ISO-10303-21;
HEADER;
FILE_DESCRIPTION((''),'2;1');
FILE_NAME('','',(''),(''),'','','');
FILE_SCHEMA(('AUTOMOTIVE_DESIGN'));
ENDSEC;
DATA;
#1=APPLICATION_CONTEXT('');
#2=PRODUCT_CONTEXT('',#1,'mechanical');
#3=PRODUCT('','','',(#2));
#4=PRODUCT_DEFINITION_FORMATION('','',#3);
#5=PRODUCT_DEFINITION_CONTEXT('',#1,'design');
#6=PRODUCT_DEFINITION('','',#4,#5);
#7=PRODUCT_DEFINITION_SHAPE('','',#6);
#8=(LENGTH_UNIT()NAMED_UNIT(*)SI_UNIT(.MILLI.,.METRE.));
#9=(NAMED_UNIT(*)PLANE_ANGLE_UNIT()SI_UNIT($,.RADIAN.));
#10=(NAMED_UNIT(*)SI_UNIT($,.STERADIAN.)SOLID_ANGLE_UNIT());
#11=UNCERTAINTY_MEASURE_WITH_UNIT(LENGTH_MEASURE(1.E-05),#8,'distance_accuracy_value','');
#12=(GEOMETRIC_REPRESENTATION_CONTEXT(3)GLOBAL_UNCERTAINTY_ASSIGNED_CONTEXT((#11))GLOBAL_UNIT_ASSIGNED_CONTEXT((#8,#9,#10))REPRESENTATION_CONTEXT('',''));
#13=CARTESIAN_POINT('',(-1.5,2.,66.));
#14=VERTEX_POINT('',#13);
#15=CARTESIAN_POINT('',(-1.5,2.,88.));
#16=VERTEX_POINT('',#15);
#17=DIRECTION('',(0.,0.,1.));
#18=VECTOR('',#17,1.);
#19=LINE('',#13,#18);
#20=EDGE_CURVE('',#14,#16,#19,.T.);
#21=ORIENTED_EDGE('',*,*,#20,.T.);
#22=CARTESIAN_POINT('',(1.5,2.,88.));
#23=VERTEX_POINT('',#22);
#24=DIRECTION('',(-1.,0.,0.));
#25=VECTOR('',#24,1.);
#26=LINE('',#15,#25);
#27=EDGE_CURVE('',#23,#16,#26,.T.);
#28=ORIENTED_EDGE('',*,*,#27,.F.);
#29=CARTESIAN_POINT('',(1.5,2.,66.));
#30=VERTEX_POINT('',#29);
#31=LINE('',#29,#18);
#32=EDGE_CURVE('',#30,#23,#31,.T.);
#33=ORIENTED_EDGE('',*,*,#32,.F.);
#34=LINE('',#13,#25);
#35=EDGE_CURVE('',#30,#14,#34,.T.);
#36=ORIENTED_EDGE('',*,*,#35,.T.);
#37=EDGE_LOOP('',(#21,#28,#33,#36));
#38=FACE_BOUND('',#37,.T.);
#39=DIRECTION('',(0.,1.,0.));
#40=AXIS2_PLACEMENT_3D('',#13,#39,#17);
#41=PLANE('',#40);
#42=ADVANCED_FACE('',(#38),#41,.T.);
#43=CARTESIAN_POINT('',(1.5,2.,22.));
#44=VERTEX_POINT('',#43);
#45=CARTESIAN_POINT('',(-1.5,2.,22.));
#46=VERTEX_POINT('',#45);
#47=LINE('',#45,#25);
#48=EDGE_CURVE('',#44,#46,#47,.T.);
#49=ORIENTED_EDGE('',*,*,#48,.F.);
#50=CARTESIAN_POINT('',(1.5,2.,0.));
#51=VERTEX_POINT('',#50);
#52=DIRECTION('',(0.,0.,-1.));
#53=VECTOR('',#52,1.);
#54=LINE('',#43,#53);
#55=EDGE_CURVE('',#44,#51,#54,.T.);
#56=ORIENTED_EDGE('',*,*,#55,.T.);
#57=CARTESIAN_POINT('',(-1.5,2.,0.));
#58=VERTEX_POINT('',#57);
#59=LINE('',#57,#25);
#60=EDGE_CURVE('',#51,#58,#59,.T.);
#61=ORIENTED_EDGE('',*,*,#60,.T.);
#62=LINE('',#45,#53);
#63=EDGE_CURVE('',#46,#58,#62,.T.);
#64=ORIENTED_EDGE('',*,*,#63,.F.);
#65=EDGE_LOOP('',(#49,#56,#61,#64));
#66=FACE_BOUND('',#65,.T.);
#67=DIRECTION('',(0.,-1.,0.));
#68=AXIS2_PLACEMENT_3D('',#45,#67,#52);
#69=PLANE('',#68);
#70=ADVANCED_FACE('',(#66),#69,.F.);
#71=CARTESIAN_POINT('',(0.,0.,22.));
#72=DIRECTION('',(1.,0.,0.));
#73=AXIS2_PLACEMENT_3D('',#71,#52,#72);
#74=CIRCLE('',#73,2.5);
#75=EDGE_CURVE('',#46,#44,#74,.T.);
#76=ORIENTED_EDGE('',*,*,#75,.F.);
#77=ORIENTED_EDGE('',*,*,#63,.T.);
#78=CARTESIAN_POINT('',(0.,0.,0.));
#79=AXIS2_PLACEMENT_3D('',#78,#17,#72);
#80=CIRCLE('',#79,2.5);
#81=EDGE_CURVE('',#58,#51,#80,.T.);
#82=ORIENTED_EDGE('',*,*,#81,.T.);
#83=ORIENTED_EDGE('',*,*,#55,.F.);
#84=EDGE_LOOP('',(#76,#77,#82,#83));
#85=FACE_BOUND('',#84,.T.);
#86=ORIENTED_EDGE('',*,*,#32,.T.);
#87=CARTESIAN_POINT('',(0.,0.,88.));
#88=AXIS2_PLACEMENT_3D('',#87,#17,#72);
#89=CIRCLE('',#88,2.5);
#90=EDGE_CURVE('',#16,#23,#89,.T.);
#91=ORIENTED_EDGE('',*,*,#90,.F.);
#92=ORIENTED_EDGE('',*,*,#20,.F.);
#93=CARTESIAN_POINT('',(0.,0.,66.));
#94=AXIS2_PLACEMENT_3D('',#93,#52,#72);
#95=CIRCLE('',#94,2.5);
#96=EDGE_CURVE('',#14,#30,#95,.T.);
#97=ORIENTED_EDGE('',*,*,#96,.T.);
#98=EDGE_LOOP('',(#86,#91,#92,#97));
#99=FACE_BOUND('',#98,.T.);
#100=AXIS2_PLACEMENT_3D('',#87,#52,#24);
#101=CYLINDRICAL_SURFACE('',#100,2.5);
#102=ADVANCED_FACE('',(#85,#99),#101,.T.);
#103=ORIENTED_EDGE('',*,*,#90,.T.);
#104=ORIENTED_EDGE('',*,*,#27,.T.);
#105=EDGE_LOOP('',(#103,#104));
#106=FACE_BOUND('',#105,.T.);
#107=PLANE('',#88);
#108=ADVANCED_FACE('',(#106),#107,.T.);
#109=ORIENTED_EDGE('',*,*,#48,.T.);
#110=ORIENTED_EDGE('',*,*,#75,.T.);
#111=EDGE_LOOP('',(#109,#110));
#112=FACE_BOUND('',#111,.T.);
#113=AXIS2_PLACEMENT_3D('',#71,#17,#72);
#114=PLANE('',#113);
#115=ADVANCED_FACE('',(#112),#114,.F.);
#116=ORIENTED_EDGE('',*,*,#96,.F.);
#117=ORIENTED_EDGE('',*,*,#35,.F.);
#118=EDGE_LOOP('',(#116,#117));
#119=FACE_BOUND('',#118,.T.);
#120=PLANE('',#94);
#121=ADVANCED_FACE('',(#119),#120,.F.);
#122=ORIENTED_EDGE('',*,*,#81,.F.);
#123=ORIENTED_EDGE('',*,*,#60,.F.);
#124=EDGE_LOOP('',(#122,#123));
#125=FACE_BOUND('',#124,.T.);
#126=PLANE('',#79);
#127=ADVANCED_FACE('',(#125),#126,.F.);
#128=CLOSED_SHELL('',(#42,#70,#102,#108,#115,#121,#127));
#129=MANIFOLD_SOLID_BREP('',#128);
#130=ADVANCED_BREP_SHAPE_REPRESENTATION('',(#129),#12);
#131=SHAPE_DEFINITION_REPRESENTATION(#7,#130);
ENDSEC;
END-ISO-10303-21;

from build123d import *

# Parameters (mm, degrees)
SKETCH_1_R          = 2.5
EXTRUDE_1_DEPTH     = 88
CUT_EXTRUDE_1_DEPTH = 22


with BuildPart() as part:
    # 스케치1 → 보스-돌출1 (new body)
    with BuildSketch(Plane.XY):
        Circle(SKETCH_1_R)
    extrude(amount=EXTRUDE_1_DEPTH)

    # 스케치2 → 컷-돌출1 (cut)
    with BuildSketch(Plane(origin=(0, 0, 0), x_dir=(-1, 0, 0), z_dir=(0, 0, -1))):
        with BuildLine():
            Line((1.5, 2), (-1.5, 2))
            ThreePointArc((-1.5, 2), (0, 2.5), (1.5, 2))
        make_face()
    cut_extrude_1 = extrude(amount=-CUT_EXTRUDE_1_DEPTH, mode=Mode.SUBTRACT)

    # 대칭 복사1: 컷-돌출1 across plane
    add(cut_extrude_1.mirror(Plane(origin=(0, 0, 44), x_dir=(1, 0, 0), z_dir=(0, 0, -1))), mode=Mode.SUBTRACT)


solid = part.part
